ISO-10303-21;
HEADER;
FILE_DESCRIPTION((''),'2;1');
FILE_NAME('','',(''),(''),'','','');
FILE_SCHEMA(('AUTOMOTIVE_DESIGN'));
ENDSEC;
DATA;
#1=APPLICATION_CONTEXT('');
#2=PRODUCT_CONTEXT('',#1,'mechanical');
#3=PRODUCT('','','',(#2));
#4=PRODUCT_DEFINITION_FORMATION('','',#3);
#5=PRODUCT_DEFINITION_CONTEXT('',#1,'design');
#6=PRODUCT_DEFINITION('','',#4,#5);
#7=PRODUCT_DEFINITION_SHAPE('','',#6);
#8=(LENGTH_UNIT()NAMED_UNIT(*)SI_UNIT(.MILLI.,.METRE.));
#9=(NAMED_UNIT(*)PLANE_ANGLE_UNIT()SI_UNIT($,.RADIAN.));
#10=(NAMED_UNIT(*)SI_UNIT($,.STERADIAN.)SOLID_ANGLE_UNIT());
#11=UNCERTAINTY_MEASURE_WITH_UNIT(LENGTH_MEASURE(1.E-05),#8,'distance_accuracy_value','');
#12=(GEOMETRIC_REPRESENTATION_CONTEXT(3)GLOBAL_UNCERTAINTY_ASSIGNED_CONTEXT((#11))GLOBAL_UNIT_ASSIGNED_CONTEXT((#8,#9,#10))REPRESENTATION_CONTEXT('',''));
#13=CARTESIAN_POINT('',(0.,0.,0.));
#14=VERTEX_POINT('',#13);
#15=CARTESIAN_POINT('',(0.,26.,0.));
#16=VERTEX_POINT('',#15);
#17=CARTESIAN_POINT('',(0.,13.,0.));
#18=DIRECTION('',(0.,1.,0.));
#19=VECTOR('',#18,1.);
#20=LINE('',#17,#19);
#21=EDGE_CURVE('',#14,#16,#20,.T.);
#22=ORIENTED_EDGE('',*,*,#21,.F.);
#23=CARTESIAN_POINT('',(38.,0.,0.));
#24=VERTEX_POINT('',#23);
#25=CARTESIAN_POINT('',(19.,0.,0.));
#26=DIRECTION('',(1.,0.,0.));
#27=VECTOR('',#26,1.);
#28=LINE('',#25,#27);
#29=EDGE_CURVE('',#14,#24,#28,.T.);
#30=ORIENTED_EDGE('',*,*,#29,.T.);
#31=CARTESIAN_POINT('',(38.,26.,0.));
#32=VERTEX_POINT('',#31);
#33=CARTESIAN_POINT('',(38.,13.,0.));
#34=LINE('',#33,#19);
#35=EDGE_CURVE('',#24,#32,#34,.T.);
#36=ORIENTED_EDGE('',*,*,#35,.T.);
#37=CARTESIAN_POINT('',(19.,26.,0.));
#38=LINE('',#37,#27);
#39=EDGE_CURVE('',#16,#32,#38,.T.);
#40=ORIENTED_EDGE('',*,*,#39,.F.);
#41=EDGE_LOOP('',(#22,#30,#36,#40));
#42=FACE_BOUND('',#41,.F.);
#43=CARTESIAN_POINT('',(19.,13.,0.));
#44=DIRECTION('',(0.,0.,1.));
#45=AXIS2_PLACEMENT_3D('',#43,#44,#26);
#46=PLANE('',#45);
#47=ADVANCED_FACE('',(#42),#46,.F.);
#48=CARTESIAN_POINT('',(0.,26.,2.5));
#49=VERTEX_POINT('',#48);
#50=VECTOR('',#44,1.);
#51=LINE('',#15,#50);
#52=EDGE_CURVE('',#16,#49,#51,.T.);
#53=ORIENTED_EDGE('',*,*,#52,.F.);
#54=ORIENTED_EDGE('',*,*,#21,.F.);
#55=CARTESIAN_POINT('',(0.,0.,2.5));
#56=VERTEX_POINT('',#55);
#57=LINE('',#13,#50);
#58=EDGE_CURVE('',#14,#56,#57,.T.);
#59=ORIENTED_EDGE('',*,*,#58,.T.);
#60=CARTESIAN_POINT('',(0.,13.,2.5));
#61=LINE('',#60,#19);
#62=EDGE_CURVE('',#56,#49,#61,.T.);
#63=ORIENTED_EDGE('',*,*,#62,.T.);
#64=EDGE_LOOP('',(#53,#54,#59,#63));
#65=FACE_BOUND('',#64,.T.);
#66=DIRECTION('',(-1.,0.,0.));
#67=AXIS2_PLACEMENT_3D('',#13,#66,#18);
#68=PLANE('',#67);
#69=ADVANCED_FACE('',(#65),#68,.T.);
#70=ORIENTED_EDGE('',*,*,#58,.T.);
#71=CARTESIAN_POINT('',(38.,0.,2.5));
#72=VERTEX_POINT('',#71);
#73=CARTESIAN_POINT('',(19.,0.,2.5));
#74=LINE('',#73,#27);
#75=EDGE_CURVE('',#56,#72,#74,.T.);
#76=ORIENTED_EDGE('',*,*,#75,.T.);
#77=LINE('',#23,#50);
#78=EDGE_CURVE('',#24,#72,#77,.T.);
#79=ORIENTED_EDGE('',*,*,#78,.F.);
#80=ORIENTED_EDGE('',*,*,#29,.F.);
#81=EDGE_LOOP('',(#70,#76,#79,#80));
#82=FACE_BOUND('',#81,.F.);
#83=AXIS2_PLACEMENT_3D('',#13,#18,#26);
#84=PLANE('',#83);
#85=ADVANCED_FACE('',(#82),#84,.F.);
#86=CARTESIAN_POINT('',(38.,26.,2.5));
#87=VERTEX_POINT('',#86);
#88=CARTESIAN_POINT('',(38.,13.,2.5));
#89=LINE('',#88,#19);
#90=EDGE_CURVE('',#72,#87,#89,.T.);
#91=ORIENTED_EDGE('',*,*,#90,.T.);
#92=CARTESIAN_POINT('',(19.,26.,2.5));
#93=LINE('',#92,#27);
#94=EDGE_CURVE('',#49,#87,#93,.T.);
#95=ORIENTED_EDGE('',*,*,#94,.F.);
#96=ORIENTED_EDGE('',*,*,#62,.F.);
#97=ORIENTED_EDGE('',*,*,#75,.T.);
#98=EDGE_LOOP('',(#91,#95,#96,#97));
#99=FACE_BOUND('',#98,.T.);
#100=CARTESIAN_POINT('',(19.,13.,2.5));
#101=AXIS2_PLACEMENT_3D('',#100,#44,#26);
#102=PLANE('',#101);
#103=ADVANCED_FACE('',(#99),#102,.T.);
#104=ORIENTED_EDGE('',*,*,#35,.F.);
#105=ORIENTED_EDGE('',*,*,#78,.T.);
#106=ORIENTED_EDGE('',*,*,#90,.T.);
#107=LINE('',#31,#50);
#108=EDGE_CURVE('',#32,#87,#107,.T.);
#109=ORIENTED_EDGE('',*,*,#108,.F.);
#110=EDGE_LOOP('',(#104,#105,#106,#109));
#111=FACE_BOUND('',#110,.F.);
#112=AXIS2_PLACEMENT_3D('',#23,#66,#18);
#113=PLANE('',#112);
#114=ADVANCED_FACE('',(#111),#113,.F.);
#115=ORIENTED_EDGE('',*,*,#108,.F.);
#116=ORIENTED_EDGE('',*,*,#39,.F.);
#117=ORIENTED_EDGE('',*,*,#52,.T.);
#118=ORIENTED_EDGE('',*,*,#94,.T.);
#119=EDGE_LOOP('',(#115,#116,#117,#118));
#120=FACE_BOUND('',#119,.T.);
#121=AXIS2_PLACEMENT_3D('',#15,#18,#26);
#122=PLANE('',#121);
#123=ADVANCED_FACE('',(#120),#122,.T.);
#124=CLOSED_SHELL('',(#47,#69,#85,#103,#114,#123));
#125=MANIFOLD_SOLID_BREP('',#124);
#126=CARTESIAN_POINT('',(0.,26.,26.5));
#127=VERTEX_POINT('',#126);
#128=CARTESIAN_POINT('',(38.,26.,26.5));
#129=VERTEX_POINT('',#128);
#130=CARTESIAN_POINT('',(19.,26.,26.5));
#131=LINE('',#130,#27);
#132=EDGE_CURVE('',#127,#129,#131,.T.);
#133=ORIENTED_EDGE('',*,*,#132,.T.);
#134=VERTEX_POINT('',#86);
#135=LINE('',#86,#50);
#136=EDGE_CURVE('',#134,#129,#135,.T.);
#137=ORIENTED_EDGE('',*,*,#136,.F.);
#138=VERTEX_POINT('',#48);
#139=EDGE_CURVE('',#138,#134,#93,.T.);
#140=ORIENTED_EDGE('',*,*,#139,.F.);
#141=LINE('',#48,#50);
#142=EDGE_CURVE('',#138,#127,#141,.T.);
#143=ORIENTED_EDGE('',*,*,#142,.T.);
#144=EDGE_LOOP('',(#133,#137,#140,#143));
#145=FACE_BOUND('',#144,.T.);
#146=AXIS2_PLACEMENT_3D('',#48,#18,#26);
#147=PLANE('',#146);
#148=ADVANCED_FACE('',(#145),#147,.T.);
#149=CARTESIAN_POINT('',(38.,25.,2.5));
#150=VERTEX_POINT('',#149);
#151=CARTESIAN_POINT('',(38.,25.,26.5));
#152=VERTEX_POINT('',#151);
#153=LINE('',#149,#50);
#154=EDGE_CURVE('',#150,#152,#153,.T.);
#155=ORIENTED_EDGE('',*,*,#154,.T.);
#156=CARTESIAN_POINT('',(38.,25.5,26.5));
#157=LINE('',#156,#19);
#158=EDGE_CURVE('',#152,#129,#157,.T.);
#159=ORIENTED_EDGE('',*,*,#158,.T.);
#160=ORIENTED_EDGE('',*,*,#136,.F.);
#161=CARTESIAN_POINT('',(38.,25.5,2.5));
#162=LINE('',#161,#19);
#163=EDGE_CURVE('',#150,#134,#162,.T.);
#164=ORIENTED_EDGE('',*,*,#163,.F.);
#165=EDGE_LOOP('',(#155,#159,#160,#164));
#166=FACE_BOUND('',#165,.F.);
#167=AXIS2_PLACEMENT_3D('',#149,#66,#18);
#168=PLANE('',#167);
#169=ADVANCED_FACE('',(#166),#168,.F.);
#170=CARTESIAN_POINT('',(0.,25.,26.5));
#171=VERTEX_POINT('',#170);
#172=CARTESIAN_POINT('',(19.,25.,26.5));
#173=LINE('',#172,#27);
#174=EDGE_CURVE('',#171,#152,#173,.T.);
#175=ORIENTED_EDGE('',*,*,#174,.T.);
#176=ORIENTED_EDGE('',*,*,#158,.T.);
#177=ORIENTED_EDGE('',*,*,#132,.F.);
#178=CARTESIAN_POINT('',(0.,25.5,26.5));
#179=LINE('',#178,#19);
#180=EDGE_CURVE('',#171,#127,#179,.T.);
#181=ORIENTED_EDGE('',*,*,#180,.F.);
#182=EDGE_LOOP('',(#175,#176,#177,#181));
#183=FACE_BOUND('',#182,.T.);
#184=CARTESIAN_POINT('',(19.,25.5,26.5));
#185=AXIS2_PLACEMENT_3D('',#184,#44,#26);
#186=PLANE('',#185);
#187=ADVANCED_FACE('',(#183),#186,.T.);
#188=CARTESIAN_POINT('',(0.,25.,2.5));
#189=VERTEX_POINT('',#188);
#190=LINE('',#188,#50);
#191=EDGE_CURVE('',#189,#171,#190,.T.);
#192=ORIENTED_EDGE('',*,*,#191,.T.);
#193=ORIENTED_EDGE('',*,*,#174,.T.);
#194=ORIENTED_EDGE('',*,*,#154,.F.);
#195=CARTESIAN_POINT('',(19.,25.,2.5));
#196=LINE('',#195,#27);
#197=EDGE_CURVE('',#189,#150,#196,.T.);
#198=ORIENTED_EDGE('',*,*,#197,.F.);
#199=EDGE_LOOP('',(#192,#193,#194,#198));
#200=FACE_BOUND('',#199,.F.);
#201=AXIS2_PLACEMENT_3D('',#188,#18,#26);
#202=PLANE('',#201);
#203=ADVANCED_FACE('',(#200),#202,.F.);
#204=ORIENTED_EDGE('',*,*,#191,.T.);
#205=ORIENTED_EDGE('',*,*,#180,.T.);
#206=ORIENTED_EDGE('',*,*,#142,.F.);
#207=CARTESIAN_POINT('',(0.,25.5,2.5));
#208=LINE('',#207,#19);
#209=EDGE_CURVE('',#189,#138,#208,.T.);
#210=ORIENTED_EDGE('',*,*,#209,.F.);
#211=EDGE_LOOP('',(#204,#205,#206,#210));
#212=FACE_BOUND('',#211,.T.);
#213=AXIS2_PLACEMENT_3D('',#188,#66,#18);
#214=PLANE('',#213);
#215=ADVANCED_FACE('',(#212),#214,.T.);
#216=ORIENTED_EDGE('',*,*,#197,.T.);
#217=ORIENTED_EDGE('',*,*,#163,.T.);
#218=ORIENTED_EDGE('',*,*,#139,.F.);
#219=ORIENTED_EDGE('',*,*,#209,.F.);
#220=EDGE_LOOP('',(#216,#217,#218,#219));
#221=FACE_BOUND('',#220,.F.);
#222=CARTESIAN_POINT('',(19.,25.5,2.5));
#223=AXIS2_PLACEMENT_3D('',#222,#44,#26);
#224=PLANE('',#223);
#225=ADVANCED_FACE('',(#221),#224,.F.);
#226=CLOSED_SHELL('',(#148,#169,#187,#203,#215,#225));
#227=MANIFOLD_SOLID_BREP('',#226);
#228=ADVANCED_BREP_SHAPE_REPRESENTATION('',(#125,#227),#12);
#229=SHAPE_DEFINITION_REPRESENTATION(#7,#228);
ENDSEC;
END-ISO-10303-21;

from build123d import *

# Parameters (mm, degrees)
BOX_W        = 38
BOX_H        = 26
BOX_DEPTH    = 2.5
BOX001_W     = 38
BOX001_H     = 1
BOX001_DEPTH = 24


with BuildPart() as base:
    # Box → Box (new body)
    with BuildSketch(Plane.XY):
        with Locations((19, 13)):
            Rectangle(BOX_W, BOX_H)
    extrude(amount=BOX_DEPTH)


with BuildPart() as pantalla:
    # Box001 → Box001 (new body)
    with BuildSketch(Plane(origin=(0, 25, 2.5), x_dir=(1, 0, 0), z_dir=(0, 0, 1))):
        with Locations((19, 0.5)):
            Rectangle(BOX001_W, BOX001_H)
    extrude(amount=BOX001_DEPTH)


solid = Compound([base.part, pantalla.part])
